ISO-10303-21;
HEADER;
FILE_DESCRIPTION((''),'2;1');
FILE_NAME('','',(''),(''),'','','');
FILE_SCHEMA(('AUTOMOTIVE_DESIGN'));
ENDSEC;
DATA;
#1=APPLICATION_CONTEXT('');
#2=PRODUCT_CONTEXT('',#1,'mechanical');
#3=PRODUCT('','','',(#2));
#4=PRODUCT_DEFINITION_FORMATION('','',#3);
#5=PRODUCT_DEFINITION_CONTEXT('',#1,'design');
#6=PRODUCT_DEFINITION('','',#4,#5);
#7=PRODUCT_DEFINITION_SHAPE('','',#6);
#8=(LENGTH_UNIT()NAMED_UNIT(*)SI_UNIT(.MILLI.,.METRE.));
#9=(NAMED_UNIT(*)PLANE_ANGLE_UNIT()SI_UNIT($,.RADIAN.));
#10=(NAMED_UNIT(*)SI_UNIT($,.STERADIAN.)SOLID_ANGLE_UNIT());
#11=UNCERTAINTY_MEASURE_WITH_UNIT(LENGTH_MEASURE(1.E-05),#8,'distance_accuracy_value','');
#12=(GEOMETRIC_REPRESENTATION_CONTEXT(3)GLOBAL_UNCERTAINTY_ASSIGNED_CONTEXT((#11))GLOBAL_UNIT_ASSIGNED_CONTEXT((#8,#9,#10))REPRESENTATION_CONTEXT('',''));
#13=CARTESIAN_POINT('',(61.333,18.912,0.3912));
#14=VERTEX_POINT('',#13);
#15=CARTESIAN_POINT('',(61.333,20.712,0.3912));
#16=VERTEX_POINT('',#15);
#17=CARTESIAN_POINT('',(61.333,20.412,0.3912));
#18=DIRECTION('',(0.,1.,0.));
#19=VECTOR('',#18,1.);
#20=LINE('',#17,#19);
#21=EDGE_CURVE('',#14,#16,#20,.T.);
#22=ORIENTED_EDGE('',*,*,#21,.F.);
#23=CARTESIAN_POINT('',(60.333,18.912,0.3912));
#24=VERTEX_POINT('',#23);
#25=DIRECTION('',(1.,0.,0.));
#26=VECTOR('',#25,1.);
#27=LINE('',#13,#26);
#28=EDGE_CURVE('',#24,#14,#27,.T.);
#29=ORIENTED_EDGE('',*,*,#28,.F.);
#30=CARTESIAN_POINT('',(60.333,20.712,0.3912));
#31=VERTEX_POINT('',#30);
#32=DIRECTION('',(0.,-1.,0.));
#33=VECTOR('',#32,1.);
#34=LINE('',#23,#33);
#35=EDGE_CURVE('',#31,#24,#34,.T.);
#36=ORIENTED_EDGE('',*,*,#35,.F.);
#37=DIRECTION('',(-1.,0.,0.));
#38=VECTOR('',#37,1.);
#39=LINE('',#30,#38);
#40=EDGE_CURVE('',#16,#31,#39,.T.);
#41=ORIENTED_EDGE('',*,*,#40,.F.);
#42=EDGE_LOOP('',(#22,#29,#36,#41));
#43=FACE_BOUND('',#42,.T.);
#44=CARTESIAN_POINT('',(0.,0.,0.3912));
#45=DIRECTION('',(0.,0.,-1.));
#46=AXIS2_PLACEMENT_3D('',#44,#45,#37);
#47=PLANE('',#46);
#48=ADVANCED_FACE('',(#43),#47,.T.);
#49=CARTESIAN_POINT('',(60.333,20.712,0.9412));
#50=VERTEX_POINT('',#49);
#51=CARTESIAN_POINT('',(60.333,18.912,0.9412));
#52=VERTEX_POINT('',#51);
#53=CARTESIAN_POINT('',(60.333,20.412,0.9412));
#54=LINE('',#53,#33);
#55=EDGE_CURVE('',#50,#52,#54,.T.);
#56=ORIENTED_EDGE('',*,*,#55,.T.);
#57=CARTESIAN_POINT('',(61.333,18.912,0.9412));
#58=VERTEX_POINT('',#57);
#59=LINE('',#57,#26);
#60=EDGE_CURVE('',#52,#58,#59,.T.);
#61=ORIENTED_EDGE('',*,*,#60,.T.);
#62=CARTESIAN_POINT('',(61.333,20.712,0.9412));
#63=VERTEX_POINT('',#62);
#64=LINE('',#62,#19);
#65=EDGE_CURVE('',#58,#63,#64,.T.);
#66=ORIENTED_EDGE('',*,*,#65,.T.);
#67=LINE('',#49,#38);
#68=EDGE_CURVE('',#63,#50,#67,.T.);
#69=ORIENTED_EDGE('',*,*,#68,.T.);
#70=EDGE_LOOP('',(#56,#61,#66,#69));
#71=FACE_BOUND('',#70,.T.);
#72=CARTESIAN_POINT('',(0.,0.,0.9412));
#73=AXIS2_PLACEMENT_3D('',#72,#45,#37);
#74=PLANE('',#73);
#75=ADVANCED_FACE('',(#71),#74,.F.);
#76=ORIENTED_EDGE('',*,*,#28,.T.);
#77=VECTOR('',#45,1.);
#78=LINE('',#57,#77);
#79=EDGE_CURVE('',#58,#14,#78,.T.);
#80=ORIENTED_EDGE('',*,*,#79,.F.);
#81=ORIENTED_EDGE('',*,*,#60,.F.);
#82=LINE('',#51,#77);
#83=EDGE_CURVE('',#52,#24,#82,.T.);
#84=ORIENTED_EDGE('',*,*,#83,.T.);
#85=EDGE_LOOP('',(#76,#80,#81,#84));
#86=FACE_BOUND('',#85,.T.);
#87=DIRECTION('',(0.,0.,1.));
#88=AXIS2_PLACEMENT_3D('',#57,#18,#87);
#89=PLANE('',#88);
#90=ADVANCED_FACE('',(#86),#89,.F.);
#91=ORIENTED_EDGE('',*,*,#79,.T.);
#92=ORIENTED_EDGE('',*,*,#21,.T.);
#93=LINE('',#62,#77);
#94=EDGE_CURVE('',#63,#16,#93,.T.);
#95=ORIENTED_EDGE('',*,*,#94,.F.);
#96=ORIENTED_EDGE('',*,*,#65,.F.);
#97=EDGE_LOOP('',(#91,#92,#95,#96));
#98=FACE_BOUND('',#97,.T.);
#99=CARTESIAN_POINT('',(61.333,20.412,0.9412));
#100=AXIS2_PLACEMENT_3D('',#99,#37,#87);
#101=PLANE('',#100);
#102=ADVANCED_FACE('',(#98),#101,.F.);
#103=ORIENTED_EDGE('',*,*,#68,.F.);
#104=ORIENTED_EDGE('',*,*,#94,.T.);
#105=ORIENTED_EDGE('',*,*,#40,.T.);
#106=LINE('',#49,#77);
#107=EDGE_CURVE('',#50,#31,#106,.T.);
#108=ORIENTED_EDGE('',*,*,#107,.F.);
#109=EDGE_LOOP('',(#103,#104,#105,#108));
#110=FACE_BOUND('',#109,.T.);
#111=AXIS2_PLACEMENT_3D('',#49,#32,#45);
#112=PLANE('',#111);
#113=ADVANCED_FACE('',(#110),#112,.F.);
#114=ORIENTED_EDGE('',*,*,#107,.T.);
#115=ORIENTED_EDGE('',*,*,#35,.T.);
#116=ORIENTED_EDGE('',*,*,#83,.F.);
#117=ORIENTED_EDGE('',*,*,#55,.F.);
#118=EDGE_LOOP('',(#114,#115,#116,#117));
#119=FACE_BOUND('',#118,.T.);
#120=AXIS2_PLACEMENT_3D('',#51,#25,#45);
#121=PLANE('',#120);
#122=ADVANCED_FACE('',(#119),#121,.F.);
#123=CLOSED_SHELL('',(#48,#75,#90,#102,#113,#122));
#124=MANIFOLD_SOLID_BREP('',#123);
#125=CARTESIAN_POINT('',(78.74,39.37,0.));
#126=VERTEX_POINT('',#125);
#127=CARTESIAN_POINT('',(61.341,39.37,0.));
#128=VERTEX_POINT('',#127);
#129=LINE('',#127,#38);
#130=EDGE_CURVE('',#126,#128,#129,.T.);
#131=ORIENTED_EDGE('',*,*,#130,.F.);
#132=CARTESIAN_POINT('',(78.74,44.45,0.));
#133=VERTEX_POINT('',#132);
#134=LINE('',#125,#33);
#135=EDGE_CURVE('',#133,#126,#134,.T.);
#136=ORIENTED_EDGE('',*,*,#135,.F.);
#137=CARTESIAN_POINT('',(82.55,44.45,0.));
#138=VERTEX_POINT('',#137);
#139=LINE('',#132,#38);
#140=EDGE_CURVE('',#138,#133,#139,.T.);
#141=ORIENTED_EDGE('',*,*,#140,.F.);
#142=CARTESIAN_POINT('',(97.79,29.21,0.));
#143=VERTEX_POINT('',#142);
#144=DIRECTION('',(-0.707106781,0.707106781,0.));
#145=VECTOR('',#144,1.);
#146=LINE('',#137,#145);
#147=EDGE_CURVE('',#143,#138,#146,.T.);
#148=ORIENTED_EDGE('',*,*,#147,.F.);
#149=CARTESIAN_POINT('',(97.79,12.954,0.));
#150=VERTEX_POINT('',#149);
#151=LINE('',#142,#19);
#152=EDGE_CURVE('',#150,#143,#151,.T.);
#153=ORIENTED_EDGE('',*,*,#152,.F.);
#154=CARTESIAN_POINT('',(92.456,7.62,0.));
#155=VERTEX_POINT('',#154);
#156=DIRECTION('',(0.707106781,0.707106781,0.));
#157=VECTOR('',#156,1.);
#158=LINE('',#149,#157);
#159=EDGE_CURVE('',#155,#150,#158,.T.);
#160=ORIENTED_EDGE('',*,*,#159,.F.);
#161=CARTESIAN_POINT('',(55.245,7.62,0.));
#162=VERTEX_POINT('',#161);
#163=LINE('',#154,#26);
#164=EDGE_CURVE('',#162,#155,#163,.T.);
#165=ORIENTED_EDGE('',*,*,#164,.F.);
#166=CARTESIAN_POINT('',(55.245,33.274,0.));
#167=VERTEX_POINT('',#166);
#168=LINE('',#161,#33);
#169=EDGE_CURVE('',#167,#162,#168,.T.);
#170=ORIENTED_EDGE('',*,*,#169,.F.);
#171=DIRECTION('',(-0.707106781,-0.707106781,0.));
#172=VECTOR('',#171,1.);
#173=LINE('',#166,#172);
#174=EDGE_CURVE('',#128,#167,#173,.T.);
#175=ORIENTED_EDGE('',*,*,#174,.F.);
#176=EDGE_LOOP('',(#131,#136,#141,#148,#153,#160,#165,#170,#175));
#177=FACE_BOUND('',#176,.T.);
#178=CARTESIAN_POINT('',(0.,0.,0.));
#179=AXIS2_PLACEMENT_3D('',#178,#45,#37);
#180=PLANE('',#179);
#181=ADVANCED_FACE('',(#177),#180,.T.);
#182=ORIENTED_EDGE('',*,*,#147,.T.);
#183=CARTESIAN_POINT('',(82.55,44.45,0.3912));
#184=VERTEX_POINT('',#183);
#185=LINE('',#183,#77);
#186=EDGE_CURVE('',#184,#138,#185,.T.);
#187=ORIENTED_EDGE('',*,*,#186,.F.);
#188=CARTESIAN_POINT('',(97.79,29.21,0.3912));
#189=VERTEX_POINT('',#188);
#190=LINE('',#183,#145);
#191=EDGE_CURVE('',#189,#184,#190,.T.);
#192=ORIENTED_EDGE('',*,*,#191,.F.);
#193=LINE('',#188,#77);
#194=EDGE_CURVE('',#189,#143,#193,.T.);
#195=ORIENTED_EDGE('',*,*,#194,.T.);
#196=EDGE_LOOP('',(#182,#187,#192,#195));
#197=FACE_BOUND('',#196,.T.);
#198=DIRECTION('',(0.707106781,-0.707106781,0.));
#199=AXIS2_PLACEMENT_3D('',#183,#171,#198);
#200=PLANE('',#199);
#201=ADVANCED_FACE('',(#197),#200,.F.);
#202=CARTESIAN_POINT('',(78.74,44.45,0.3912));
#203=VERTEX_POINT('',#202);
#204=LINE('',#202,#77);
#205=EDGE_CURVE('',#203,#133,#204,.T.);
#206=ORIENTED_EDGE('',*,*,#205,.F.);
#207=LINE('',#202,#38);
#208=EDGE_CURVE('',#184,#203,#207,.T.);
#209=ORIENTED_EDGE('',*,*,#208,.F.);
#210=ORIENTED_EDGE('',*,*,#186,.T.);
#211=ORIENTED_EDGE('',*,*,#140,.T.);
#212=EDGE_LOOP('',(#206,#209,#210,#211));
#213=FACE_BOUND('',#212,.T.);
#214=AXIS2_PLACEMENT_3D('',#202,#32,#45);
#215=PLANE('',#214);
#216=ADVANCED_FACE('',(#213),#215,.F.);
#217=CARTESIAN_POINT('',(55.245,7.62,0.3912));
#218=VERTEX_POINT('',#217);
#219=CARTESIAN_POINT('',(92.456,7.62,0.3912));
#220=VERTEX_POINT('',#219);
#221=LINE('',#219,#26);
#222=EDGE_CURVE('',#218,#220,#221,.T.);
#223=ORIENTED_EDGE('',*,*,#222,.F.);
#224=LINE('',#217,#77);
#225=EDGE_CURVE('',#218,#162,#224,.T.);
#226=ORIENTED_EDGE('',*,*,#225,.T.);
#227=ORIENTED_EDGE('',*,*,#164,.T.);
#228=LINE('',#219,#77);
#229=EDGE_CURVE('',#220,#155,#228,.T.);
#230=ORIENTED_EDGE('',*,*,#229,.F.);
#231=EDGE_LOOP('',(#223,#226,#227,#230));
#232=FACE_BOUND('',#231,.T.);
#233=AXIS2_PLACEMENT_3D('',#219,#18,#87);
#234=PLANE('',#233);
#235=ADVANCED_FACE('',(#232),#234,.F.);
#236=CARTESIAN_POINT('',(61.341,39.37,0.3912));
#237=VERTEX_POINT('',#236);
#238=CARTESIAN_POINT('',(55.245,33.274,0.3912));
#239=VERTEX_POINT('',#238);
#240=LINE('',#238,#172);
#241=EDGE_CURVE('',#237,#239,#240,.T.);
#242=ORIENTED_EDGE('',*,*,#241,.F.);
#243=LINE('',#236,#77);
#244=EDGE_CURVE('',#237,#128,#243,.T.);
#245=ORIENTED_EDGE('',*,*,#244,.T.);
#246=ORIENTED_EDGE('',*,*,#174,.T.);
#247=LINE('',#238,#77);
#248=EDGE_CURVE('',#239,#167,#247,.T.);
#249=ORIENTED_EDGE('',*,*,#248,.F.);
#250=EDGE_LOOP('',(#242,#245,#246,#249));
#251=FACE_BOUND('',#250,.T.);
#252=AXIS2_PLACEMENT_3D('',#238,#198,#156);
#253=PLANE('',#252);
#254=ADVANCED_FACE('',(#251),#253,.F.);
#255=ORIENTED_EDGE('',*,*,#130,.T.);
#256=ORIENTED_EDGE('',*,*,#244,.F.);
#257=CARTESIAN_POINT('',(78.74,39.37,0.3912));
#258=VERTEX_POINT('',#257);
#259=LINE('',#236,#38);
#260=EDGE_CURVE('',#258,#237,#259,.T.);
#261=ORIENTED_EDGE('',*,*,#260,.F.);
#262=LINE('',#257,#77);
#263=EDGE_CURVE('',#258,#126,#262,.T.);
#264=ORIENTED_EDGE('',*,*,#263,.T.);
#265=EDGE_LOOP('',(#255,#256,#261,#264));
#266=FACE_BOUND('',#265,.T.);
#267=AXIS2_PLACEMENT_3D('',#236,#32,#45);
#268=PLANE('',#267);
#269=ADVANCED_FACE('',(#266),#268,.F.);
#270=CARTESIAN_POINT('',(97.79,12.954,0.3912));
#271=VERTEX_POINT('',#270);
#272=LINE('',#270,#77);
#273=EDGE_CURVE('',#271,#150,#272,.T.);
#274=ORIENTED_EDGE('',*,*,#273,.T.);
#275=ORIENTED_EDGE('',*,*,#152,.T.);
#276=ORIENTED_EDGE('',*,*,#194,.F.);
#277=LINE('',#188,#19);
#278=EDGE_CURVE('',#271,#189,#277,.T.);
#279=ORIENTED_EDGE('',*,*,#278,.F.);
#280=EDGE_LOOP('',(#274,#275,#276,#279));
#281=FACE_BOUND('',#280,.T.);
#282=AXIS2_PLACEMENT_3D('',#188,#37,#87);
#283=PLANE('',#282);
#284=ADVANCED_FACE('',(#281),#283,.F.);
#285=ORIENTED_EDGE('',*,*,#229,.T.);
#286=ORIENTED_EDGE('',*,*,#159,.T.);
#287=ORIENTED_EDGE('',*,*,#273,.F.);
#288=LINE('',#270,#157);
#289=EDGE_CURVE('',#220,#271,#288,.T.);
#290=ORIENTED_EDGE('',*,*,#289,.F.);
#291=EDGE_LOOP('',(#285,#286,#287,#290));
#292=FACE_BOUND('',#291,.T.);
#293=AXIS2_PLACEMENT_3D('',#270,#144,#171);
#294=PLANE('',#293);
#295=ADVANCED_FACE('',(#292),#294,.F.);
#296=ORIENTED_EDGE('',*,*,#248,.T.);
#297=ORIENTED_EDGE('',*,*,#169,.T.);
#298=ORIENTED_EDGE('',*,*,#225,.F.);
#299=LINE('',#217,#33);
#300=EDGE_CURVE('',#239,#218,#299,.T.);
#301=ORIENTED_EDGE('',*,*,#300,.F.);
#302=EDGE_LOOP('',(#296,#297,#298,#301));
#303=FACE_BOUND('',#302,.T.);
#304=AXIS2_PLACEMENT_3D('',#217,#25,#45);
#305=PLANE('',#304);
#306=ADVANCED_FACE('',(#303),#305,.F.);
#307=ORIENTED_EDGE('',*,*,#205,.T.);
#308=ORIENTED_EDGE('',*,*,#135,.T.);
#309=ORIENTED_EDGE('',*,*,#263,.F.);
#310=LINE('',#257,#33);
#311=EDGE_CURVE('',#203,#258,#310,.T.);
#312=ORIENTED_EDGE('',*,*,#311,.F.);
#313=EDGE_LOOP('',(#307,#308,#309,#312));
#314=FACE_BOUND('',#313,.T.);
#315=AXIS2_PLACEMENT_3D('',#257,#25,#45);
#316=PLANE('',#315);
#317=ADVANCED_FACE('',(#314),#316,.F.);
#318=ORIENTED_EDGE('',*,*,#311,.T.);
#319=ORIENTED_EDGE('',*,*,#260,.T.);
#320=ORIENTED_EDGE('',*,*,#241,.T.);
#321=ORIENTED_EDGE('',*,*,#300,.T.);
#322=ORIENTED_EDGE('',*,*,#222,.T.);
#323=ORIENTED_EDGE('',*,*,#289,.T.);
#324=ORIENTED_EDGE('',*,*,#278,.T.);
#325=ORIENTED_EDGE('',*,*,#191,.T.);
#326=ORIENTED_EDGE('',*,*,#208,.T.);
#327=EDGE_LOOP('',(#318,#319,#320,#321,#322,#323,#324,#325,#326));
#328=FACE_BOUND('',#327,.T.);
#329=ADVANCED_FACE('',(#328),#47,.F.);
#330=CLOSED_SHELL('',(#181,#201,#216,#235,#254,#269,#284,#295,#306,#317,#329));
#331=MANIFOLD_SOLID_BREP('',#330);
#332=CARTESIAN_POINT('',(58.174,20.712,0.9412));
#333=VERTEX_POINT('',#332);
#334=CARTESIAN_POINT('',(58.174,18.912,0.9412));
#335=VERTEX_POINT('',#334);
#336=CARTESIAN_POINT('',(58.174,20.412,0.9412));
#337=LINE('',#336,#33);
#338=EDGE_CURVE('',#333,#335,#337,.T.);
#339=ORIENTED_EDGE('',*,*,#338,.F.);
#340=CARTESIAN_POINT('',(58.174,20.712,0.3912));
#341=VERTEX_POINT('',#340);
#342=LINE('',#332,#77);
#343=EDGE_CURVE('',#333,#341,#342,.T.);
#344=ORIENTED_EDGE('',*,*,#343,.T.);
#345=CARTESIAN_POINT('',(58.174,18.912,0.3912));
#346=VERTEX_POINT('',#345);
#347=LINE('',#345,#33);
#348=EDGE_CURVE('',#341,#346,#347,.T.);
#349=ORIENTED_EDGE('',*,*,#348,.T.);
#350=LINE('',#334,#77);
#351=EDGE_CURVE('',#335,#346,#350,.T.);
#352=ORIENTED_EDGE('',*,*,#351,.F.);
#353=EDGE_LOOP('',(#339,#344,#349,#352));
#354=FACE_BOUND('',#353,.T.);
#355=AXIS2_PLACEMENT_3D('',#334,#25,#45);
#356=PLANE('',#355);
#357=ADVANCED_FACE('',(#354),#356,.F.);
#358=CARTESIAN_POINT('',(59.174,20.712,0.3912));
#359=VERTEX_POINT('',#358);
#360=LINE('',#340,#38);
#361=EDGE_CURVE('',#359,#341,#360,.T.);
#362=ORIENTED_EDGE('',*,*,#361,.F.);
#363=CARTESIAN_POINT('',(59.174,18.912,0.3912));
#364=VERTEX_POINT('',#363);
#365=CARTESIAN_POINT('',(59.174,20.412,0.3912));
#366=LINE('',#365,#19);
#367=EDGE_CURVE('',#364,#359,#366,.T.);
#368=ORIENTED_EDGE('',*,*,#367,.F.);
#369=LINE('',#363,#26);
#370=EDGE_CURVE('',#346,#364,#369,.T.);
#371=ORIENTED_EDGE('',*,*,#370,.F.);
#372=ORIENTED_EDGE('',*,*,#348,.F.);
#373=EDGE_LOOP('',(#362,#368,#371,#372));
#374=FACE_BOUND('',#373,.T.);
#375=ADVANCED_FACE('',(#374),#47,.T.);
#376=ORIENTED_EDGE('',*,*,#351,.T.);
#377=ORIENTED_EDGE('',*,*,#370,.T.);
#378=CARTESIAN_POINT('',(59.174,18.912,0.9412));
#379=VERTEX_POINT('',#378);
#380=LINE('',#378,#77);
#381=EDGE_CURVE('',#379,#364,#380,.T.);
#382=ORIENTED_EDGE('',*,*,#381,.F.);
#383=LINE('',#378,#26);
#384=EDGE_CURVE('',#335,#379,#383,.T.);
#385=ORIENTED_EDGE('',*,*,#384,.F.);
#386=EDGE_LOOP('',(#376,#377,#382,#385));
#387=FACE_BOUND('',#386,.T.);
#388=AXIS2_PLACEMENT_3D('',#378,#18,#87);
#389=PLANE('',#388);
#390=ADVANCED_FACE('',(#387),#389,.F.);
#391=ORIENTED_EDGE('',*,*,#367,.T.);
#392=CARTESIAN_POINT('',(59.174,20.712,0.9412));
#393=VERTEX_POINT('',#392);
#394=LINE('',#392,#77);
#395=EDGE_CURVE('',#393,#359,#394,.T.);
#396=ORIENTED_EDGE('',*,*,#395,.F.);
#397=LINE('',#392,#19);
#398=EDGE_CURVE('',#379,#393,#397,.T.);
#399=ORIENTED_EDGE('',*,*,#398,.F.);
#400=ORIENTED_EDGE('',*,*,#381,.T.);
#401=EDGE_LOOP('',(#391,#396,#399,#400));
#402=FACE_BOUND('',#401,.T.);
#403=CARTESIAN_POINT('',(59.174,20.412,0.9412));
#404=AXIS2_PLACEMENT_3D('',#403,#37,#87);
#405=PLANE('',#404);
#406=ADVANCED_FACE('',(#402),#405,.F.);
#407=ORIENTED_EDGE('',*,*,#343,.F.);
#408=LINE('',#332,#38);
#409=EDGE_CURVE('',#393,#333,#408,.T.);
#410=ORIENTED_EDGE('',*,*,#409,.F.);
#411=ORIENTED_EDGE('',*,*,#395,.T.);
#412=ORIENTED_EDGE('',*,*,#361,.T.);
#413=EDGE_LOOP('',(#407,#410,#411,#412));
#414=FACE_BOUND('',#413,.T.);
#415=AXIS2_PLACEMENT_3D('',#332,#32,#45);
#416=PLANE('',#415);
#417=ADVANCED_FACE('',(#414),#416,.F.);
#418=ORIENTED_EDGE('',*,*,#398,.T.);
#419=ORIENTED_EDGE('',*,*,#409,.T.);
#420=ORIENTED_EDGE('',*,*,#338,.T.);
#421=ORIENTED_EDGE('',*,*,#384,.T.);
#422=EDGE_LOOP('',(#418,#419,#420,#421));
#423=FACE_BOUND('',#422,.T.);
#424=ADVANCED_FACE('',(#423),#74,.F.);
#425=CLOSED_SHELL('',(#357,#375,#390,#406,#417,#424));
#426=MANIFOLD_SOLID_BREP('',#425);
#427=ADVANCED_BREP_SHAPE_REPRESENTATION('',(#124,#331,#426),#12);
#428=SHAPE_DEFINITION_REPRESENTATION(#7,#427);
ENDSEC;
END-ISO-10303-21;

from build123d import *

# Parameters (mm, degrees)
BOARD_DEPTH                   = 0.3912
RESC1608X55X30ML20T10_1_DEPTH = 0.55
RESC1608X55X30ML20T10_2_DEPTH = 0.55


with BuildPart() as part:
    # Эскиз1 → BOARD (new body)
    with BuildSketch(Plane.XY):
        Polygon((55.245, 7.62), (55.245, 33.274), (61.341, 39.37), (78.74, 39.37), (78.74, 44.45), (82.55, 44.45), (97.79, 29.21), (97.79, 12.954), (92.456, 7.62), align=None)
    extrude(amount=BOARD_DEPTH)


with BuildPart() as body_2:
    # Эскиз2 → RESC1608X55X30ML20T10-1 (new body)
    with BuildSketch(Plane.XY.offset(0.3912)):
        Polygon((61.333, 20.412), (61.333, 19.212), (61.333, 18.912), (60.333, 18.912), (60.333, 19.212), (60.333, 20.412), (60.333, 20.712), (61.333, 20.712), align=None)
    extrude(amount=RESC1608X55X30ML20T10_1_DEPTH)


with BuildPart() as body_3:
    # Эскиз3 → RESC1608X55X30ML20T10-2 (new body)
    with BuildSketch(Plane.XY.offset(0.3912)):
        Polygon((59.174, 20.412), (59.174, 19.212), (59.174, 18.912), (58.174, 18.912), (58.174, 19.212), (58.174, 20.412), (58.174, 20.712), (59.174, 20.712), align=None)
    extrude(amount=RESC1608X55X30ML20T10_2_DEPTH)


solid = Compound([part.part, body_2.part, body_3.part])
